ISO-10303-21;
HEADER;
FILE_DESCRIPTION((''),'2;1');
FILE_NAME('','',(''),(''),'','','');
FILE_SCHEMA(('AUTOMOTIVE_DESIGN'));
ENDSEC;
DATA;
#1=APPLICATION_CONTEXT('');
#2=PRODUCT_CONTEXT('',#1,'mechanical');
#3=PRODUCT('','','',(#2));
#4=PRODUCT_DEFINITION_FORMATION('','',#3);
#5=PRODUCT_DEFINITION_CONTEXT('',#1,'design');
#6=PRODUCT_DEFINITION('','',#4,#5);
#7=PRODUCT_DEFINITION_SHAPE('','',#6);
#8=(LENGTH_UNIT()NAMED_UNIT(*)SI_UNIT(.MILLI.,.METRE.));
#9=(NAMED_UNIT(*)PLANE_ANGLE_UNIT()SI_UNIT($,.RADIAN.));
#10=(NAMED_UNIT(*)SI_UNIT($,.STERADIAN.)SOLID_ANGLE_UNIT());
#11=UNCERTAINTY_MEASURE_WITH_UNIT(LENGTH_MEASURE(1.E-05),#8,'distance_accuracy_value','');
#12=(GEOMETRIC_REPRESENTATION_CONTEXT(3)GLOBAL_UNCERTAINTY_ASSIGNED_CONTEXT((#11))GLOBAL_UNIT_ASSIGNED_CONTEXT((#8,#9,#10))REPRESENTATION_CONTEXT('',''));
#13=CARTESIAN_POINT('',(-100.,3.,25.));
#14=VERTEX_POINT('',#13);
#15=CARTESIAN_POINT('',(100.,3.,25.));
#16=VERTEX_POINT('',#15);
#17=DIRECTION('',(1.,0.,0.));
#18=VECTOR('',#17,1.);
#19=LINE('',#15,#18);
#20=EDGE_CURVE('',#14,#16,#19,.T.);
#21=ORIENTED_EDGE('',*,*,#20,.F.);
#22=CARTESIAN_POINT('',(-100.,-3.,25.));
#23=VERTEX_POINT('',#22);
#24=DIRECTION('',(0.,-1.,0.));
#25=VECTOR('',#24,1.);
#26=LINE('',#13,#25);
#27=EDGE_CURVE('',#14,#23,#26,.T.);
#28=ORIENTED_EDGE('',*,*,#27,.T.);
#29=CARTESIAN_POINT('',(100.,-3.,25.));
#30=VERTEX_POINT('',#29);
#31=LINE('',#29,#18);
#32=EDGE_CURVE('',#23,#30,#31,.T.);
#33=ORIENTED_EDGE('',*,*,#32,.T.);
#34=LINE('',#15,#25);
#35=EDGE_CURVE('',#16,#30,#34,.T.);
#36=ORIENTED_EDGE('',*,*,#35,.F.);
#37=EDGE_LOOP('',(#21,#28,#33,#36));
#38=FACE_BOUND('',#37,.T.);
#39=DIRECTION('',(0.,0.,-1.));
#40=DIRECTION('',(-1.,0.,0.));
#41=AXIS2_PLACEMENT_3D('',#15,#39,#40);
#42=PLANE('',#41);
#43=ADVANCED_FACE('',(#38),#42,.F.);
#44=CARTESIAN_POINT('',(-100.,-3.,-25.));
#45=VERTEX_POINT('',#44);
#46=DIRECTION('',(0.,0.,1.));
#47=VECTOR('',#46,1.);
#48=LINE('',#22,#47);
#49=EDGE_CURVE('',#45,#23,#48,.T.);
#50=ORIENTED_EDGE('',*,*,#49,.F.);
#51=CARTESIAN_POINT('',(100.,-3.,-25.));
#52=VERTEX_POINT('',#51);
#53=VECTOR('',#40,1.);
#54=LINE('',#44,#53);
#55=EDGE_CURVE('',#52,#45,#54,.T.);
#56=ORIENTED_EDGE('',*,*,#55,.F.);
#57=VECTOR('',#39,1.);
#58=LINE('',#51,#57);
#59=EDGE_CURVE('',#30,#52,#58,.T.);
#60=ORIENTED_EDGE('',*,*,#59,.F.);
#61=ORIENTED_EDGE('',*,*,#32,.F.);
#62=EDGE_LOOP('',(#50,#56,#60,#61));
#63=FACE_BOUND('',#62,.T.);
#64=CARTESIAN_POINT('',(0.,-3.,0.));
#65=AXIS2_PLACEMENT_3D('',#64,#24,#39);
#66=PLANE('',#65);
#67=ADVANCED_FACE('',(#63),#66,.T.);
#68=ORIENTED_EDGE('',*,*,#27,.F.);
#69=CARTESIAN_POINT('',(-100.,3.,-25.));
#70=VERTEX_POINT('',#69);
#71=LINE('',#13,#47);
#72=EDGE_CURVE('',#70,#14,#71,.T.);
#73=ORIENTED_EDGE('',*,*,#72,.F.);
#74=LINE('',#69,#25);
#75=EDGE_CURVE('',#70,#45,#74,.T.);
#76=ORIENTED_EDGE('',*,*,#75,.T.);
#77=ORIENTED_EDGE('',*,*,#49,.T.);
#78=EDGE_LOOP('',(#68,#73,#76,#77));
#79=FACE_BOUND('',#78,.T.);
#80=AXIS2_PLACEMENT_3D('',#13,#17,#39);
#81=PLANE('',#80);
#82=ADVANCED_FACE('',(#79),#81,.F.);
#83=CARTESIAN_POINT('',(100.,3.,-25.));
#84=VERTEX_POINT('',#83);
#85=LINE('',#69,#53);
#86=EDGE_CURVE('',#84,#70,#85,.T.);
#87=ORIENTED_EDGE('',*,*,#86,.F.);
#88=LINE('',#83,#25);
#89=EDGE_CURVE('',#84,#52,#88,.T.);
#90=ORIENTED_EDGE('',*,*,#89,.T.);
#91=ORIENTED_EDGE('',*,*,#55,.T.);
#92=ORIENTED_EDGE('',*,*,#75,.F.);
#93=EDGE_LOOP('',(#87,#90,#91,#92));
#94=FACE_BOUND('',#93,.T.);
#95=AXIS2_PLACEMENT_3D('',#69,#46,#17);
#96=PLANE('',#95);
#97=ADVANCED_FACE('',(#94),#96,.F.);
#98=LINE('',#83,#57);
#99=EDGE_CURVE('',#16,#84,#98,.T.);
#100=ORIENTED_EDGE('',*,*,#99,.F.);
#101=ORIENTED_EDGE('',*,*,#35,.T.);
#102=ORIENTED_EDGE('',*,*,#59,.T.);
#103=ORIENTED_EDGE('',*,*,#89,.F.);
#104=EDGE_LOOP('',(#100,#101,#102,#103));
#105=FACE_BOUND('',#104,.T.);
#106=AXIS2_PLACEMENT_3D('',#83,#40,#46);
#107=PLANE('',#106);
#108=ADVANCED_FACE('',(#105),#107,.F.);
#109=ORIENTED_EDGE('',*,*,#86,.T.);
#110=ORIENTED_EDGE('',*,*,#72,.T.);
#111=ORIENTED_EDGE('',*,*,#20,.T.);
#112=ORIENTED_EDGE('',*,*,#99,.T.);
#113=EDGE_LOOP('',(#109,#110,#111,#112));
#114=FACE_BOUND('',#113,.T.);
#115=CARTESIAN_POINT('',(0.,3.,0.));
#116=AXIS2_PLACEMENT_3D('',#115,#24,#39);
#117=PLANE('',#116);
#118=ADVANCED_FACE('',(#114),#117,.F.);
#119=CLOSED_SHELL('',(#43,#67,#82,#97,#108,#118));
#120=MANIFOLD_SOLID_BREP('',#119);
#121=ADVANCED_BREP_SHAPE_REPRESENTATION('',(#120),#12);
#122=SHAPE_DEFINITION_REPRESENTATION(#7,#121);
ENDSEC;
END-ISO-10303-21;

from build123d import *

# Parameters (mm, degrees)
SKETCH_1_W        = 200
SKETCH_1_H        = 50
EXTRUDE_337_DEPTH = 3


with BuildPart() as part:
    # ｽｹｯﾁ1 → Extrude 337 (new, symmetric)
    with BuildSketch(Plane(origin=(0, 0, 0), x_dir=(1, 0, 0), z_dir=(0, 1, 0))):
        Rectangle(SKETCH_1_W, SKETCH_1_H)
    extrude(amount=EXTRUDE_337_DEPTH, both=True)


solid = part.part
